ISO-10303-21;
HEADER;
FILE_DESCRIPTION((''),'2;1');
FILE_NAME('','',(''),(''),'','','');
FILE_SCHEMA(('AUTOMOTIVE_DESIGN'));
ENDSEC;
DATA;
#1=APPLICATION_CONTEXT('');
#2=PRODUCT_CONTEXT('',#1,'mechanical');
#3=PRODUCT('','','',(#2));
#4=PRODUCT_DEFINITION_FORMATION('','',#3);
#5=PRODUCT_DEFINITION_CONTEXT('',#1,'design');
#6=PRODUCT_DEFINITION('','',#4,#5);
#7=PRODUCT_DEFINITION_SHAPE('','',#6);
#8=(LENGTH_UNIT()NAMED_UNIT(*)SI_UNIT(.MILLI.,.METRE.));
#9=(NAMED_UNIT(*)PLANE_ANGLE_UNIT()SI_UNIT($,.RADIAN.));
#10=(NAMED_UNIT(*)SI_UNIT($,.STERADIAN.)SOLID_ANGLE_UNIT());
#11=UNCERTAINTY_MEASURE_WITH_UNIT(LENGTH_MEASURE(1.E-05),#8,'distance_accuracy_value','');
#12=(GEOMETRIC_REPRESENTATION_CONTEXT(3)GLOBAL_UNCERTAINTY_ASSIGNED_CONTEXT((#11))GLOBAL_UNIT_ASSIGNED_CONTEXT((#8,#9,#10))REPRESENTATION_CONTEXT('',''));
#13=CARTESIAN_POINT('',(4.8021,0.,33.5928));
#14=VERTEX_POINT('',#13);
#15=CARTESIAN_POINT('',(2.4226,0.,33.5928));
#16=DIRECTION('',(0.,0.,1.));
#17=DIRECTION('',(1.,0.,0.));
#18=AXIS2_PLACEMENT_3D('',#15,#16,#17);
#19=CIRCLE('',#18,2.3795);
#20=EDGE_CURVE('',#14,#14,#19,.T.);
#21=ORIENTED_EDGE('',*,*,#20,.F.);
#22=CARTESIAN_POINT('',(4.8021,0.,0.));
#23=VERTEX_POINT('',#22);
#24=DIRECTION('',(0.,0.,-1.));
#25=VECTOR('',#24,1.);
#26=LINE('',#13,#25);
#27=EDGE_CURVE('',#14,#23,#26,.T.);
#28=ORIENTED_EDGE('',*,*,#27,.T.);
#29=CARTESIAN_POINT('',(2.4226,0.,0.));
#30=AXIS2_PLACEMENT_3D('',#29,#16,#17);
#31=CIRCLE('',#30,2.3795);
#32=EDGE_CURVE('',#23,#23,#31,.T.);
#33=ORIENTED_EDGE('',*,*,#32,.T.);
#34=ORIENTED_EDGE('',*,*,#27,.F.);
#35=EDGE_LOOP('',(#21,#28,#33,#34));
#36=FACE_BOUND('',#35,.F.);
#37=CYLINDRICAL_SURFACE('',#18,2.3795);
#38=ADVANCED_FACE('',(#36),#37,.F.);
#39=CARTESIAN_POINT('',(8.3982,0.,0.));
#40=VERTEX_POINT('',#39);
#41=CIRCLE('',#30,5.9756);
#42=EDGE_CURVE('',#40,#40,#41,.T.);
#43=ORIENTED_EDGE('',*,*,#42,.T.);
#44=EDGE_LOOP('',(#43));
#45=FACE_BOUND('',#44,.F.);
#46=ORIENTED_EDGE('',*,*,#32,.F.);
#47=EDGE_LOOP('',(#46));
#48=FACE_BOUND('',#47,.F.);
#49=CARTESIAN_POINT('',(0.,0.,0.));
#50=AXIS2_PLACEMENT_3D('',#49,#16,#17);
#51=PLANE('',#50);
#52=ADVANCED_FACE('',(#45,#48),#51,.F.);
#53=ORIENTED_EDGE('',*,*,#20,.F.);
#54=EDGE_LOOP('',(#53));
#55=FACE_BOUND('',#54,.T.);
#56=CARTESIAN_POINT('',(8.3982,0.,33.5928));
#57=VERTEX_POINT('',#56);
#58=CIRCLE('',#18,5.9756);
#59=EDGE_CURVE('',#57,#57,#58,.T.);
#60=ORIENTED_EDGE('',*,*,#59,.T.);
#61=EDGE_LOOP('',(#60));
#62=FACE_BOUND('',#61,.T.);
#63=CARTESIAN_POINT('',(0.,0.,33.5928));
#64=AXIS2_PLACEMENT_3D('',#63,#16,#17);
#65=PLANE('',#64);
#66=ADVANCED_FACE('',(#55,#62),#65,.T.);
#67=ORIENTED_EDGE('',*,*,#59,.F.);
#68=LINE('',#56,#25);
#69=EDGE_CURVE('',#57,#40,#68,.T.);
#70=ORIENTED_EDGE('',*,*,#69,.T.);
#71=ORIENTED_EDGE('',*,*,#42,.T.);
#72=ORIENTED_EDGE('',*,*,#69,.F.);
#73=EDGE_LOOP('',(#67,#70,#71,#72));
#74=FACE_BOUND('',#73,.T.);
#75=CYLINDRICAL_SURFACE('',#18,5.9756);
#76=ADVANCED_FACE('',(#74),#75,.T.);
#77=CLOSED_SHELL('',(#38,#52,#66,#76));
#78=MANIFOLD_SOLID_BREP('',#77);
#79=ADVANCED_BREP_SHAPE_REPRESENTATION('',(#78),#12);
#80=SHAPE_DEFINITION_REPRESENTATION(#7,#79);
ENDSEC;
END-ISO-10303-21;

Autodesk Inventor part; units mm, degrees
ref_plane "YZ Plane" through (0, 0, 0) normal (1, 0, 0) x (0, 1, 0)
ref_plane "Work Plane1" through (0, 0, 0) normal (0, 0, 1) x (1, 0, 0)
ref_plane "Work Plane2" through (-4.428, -6.8505, 33.5928) normal (0, 0, -1) x (0.2879, 0.9577, 0)
ref_plane "Work Plane3" through (-5.1282, -12.4968, 0) normal (0, 0, 1) x (1, 0, 0)
sketch "Sketch1" plane through (0, 0, 0) normal (0, 0, 1) x (1, 0, 0)
  arc A0 (4.2768, 1.4222) -> (4.2768, -1.4222) centre (2.4226, 0) ccw construction
  circle A1 centre (2.4226, 0) radius 2.3795
  circle A2 centre (2.4226, 0) radius 5.9756
  point P0 (0, 0)
extrude "Extrusion1" add sketch "Sketch1" against normal up to surface (33.5928 mm away) from surface at 33.5928
properties part number "wheel spacers"
